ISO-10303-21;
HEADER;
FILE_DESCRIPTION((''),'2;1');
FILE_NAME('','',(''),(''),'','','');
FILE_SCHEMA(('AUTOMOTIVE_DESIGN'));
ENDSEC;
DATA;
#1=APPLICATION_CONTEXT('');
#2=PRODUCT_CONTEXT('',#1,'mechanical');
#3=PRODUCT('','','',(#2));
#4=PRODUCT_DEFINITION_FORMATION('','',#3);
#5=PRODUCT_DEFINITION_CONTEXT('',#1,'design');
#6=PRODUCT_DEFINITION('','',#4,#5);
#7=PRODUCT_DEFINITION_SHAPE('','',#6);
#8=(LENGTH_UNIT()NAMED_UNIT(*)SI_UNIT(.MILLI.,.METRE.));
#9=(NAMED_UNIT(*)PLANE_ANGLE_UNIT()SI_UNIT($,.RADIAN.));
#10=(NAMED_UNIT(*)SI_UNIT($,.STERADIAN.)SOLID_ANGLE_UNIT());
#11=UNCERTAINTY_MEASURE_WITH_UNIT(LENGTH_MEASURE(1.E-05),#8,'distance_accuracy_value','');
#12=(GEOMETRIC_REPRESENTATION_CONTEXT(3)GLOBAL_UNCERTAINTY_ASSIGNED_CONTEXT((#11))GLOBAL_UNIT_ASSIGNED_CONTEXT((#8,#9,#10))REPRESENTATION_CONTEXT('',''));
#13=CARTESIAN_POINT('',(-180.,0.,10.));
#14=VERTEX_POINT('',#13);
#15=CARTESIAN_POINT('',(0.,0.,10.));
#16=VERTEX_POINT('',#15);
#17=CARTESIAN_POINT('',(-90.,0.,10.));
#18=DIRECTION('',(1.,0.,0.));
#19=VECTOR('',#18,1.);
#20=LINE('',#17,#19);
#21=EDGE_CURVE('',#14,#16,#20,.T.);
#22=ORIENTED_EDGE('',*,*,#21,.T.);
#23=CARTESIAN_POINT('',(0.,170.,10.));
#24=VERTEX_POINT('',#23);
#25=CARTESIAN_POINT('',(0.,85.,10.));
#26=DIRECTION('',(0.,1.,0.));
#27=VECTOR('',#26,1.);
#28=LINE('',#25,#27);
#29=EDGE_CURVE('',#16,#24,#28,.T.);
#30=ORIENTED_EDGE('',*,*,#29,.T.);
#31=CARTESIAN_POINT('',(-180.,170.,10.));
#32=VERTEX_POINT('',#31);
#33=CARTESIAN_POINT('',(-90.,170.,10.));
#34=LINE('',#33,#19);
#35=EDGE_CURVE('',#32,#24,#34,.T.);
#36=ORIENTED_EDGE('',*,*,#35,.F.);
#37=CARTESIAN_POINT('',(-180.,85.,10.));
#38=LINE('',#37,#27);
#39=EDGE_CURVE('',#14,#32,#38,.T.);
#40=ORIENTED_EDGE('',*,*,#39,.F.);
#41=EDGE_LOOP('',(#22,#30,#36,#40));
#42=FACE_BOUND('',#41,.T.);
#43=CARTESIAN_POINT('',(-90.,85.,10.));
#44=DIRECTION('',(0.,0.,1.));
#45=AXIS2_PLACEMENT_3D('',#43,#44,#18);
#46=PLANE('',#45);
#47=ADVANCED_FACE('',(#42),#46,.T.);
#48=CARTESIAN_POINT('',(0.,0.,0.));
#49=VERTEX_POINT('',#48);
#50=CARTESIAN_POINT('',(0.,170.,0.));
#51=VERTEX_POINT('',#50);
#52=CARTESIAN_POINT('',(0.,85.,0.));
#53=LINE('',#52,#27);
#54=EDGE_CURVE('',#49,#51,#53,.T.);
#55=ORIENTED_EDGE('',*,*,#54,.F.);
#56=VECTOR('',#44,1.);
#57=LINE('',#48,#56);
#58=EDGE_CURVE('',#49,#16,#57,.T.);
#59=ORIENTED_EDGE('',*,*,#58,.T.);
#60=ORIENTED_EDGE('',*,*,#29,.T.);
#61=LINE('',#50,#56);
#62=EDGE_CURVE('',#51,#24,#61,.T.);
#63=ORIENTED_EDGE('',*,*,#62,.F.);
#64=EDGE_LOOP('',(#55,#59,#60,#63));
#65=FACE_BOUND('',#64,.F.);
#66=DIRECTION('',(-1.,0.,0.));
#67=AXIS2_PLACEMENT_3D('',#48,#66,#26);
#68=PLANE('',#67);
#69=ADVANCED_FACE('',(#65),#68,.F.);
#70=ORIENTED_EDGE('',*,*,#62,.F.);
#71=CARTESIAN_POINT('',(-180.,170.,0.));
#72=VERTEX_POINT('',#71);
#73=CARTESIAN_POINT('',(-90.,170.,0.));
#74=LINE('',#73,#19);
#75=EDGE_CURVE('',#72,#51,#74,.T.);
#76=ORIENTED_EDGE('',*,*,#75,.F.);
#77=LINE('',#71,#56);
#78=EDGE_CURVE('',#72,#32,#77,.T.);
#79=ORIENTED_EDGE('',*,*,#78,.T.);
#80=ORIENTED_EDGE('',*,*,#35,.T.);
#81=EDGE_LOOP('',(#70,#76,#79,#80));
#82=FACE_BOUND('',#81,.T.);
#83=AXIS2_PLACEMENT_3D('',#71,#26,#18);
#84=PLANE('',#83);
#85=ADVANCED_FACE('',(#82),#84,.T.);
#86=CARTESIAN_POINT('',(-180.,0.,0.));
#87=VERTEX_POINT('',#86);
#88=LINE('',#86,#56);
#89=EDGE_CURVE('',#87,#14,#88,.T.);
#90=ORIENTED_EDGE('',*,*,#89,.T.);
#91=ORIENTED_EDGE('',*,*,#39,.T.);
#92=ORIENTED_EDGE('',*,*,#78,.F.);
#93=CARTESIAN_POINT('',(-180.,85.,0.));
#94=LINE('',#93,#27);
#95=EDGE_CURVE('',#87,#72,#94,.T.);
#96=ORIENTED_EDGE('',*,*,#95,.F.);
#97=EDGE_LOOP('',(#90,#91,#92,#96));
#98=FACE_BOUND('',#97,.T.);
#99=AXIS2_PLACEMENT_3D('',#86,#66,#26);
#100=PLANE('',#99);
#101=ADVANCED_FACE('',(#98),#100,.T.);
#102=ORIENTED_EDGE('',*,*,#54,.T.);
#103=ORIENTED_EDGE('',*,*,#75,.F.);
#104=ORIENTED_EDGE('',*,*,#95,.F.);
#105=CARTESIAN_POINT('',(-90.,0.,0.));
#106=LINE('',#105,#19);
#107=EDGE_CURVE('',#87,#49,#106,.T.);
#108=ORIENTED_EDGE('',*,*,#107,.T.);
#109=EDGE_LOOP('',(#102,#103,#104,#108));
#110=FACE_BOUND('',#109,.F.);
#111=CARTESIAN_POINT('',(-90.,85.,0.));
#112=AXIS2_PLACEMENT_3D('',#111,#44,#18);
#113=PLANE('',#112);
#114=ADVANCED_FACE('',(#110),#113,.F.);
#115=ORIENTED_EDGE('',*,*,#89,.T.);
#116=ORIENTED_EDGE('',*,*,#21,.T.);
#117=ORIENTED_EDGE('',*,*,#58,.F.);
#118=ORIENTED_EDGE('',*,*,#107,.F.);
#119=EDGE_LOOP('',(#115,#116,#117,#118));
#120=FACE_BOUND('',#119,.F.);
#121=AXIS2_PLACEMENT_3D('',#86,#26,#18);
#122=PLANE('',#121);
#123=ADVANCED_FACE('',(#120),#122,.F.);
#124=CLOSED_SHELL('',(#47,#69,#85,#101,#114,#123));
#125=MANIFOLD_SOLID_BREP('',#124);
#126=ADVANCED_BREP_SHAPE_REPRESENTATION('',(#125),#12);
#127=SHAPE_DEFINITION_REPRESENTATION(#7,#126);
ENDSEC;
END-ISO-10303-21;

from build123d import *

# Parameters (mm, degrees)
SKETCH_W  = 180
SKETCH_H  = 170
PAD_DEPTH = 10


with BuildPart() as part:
    # Sketch → Pad (new body)
    with BuildSketch(Plane.XY):
        with Locations((-90, 85)):
            Rectangle(SKETCH_W, SKETCH_H)
    extrude(amount=PAD_DEPTH)


solid = part.part
